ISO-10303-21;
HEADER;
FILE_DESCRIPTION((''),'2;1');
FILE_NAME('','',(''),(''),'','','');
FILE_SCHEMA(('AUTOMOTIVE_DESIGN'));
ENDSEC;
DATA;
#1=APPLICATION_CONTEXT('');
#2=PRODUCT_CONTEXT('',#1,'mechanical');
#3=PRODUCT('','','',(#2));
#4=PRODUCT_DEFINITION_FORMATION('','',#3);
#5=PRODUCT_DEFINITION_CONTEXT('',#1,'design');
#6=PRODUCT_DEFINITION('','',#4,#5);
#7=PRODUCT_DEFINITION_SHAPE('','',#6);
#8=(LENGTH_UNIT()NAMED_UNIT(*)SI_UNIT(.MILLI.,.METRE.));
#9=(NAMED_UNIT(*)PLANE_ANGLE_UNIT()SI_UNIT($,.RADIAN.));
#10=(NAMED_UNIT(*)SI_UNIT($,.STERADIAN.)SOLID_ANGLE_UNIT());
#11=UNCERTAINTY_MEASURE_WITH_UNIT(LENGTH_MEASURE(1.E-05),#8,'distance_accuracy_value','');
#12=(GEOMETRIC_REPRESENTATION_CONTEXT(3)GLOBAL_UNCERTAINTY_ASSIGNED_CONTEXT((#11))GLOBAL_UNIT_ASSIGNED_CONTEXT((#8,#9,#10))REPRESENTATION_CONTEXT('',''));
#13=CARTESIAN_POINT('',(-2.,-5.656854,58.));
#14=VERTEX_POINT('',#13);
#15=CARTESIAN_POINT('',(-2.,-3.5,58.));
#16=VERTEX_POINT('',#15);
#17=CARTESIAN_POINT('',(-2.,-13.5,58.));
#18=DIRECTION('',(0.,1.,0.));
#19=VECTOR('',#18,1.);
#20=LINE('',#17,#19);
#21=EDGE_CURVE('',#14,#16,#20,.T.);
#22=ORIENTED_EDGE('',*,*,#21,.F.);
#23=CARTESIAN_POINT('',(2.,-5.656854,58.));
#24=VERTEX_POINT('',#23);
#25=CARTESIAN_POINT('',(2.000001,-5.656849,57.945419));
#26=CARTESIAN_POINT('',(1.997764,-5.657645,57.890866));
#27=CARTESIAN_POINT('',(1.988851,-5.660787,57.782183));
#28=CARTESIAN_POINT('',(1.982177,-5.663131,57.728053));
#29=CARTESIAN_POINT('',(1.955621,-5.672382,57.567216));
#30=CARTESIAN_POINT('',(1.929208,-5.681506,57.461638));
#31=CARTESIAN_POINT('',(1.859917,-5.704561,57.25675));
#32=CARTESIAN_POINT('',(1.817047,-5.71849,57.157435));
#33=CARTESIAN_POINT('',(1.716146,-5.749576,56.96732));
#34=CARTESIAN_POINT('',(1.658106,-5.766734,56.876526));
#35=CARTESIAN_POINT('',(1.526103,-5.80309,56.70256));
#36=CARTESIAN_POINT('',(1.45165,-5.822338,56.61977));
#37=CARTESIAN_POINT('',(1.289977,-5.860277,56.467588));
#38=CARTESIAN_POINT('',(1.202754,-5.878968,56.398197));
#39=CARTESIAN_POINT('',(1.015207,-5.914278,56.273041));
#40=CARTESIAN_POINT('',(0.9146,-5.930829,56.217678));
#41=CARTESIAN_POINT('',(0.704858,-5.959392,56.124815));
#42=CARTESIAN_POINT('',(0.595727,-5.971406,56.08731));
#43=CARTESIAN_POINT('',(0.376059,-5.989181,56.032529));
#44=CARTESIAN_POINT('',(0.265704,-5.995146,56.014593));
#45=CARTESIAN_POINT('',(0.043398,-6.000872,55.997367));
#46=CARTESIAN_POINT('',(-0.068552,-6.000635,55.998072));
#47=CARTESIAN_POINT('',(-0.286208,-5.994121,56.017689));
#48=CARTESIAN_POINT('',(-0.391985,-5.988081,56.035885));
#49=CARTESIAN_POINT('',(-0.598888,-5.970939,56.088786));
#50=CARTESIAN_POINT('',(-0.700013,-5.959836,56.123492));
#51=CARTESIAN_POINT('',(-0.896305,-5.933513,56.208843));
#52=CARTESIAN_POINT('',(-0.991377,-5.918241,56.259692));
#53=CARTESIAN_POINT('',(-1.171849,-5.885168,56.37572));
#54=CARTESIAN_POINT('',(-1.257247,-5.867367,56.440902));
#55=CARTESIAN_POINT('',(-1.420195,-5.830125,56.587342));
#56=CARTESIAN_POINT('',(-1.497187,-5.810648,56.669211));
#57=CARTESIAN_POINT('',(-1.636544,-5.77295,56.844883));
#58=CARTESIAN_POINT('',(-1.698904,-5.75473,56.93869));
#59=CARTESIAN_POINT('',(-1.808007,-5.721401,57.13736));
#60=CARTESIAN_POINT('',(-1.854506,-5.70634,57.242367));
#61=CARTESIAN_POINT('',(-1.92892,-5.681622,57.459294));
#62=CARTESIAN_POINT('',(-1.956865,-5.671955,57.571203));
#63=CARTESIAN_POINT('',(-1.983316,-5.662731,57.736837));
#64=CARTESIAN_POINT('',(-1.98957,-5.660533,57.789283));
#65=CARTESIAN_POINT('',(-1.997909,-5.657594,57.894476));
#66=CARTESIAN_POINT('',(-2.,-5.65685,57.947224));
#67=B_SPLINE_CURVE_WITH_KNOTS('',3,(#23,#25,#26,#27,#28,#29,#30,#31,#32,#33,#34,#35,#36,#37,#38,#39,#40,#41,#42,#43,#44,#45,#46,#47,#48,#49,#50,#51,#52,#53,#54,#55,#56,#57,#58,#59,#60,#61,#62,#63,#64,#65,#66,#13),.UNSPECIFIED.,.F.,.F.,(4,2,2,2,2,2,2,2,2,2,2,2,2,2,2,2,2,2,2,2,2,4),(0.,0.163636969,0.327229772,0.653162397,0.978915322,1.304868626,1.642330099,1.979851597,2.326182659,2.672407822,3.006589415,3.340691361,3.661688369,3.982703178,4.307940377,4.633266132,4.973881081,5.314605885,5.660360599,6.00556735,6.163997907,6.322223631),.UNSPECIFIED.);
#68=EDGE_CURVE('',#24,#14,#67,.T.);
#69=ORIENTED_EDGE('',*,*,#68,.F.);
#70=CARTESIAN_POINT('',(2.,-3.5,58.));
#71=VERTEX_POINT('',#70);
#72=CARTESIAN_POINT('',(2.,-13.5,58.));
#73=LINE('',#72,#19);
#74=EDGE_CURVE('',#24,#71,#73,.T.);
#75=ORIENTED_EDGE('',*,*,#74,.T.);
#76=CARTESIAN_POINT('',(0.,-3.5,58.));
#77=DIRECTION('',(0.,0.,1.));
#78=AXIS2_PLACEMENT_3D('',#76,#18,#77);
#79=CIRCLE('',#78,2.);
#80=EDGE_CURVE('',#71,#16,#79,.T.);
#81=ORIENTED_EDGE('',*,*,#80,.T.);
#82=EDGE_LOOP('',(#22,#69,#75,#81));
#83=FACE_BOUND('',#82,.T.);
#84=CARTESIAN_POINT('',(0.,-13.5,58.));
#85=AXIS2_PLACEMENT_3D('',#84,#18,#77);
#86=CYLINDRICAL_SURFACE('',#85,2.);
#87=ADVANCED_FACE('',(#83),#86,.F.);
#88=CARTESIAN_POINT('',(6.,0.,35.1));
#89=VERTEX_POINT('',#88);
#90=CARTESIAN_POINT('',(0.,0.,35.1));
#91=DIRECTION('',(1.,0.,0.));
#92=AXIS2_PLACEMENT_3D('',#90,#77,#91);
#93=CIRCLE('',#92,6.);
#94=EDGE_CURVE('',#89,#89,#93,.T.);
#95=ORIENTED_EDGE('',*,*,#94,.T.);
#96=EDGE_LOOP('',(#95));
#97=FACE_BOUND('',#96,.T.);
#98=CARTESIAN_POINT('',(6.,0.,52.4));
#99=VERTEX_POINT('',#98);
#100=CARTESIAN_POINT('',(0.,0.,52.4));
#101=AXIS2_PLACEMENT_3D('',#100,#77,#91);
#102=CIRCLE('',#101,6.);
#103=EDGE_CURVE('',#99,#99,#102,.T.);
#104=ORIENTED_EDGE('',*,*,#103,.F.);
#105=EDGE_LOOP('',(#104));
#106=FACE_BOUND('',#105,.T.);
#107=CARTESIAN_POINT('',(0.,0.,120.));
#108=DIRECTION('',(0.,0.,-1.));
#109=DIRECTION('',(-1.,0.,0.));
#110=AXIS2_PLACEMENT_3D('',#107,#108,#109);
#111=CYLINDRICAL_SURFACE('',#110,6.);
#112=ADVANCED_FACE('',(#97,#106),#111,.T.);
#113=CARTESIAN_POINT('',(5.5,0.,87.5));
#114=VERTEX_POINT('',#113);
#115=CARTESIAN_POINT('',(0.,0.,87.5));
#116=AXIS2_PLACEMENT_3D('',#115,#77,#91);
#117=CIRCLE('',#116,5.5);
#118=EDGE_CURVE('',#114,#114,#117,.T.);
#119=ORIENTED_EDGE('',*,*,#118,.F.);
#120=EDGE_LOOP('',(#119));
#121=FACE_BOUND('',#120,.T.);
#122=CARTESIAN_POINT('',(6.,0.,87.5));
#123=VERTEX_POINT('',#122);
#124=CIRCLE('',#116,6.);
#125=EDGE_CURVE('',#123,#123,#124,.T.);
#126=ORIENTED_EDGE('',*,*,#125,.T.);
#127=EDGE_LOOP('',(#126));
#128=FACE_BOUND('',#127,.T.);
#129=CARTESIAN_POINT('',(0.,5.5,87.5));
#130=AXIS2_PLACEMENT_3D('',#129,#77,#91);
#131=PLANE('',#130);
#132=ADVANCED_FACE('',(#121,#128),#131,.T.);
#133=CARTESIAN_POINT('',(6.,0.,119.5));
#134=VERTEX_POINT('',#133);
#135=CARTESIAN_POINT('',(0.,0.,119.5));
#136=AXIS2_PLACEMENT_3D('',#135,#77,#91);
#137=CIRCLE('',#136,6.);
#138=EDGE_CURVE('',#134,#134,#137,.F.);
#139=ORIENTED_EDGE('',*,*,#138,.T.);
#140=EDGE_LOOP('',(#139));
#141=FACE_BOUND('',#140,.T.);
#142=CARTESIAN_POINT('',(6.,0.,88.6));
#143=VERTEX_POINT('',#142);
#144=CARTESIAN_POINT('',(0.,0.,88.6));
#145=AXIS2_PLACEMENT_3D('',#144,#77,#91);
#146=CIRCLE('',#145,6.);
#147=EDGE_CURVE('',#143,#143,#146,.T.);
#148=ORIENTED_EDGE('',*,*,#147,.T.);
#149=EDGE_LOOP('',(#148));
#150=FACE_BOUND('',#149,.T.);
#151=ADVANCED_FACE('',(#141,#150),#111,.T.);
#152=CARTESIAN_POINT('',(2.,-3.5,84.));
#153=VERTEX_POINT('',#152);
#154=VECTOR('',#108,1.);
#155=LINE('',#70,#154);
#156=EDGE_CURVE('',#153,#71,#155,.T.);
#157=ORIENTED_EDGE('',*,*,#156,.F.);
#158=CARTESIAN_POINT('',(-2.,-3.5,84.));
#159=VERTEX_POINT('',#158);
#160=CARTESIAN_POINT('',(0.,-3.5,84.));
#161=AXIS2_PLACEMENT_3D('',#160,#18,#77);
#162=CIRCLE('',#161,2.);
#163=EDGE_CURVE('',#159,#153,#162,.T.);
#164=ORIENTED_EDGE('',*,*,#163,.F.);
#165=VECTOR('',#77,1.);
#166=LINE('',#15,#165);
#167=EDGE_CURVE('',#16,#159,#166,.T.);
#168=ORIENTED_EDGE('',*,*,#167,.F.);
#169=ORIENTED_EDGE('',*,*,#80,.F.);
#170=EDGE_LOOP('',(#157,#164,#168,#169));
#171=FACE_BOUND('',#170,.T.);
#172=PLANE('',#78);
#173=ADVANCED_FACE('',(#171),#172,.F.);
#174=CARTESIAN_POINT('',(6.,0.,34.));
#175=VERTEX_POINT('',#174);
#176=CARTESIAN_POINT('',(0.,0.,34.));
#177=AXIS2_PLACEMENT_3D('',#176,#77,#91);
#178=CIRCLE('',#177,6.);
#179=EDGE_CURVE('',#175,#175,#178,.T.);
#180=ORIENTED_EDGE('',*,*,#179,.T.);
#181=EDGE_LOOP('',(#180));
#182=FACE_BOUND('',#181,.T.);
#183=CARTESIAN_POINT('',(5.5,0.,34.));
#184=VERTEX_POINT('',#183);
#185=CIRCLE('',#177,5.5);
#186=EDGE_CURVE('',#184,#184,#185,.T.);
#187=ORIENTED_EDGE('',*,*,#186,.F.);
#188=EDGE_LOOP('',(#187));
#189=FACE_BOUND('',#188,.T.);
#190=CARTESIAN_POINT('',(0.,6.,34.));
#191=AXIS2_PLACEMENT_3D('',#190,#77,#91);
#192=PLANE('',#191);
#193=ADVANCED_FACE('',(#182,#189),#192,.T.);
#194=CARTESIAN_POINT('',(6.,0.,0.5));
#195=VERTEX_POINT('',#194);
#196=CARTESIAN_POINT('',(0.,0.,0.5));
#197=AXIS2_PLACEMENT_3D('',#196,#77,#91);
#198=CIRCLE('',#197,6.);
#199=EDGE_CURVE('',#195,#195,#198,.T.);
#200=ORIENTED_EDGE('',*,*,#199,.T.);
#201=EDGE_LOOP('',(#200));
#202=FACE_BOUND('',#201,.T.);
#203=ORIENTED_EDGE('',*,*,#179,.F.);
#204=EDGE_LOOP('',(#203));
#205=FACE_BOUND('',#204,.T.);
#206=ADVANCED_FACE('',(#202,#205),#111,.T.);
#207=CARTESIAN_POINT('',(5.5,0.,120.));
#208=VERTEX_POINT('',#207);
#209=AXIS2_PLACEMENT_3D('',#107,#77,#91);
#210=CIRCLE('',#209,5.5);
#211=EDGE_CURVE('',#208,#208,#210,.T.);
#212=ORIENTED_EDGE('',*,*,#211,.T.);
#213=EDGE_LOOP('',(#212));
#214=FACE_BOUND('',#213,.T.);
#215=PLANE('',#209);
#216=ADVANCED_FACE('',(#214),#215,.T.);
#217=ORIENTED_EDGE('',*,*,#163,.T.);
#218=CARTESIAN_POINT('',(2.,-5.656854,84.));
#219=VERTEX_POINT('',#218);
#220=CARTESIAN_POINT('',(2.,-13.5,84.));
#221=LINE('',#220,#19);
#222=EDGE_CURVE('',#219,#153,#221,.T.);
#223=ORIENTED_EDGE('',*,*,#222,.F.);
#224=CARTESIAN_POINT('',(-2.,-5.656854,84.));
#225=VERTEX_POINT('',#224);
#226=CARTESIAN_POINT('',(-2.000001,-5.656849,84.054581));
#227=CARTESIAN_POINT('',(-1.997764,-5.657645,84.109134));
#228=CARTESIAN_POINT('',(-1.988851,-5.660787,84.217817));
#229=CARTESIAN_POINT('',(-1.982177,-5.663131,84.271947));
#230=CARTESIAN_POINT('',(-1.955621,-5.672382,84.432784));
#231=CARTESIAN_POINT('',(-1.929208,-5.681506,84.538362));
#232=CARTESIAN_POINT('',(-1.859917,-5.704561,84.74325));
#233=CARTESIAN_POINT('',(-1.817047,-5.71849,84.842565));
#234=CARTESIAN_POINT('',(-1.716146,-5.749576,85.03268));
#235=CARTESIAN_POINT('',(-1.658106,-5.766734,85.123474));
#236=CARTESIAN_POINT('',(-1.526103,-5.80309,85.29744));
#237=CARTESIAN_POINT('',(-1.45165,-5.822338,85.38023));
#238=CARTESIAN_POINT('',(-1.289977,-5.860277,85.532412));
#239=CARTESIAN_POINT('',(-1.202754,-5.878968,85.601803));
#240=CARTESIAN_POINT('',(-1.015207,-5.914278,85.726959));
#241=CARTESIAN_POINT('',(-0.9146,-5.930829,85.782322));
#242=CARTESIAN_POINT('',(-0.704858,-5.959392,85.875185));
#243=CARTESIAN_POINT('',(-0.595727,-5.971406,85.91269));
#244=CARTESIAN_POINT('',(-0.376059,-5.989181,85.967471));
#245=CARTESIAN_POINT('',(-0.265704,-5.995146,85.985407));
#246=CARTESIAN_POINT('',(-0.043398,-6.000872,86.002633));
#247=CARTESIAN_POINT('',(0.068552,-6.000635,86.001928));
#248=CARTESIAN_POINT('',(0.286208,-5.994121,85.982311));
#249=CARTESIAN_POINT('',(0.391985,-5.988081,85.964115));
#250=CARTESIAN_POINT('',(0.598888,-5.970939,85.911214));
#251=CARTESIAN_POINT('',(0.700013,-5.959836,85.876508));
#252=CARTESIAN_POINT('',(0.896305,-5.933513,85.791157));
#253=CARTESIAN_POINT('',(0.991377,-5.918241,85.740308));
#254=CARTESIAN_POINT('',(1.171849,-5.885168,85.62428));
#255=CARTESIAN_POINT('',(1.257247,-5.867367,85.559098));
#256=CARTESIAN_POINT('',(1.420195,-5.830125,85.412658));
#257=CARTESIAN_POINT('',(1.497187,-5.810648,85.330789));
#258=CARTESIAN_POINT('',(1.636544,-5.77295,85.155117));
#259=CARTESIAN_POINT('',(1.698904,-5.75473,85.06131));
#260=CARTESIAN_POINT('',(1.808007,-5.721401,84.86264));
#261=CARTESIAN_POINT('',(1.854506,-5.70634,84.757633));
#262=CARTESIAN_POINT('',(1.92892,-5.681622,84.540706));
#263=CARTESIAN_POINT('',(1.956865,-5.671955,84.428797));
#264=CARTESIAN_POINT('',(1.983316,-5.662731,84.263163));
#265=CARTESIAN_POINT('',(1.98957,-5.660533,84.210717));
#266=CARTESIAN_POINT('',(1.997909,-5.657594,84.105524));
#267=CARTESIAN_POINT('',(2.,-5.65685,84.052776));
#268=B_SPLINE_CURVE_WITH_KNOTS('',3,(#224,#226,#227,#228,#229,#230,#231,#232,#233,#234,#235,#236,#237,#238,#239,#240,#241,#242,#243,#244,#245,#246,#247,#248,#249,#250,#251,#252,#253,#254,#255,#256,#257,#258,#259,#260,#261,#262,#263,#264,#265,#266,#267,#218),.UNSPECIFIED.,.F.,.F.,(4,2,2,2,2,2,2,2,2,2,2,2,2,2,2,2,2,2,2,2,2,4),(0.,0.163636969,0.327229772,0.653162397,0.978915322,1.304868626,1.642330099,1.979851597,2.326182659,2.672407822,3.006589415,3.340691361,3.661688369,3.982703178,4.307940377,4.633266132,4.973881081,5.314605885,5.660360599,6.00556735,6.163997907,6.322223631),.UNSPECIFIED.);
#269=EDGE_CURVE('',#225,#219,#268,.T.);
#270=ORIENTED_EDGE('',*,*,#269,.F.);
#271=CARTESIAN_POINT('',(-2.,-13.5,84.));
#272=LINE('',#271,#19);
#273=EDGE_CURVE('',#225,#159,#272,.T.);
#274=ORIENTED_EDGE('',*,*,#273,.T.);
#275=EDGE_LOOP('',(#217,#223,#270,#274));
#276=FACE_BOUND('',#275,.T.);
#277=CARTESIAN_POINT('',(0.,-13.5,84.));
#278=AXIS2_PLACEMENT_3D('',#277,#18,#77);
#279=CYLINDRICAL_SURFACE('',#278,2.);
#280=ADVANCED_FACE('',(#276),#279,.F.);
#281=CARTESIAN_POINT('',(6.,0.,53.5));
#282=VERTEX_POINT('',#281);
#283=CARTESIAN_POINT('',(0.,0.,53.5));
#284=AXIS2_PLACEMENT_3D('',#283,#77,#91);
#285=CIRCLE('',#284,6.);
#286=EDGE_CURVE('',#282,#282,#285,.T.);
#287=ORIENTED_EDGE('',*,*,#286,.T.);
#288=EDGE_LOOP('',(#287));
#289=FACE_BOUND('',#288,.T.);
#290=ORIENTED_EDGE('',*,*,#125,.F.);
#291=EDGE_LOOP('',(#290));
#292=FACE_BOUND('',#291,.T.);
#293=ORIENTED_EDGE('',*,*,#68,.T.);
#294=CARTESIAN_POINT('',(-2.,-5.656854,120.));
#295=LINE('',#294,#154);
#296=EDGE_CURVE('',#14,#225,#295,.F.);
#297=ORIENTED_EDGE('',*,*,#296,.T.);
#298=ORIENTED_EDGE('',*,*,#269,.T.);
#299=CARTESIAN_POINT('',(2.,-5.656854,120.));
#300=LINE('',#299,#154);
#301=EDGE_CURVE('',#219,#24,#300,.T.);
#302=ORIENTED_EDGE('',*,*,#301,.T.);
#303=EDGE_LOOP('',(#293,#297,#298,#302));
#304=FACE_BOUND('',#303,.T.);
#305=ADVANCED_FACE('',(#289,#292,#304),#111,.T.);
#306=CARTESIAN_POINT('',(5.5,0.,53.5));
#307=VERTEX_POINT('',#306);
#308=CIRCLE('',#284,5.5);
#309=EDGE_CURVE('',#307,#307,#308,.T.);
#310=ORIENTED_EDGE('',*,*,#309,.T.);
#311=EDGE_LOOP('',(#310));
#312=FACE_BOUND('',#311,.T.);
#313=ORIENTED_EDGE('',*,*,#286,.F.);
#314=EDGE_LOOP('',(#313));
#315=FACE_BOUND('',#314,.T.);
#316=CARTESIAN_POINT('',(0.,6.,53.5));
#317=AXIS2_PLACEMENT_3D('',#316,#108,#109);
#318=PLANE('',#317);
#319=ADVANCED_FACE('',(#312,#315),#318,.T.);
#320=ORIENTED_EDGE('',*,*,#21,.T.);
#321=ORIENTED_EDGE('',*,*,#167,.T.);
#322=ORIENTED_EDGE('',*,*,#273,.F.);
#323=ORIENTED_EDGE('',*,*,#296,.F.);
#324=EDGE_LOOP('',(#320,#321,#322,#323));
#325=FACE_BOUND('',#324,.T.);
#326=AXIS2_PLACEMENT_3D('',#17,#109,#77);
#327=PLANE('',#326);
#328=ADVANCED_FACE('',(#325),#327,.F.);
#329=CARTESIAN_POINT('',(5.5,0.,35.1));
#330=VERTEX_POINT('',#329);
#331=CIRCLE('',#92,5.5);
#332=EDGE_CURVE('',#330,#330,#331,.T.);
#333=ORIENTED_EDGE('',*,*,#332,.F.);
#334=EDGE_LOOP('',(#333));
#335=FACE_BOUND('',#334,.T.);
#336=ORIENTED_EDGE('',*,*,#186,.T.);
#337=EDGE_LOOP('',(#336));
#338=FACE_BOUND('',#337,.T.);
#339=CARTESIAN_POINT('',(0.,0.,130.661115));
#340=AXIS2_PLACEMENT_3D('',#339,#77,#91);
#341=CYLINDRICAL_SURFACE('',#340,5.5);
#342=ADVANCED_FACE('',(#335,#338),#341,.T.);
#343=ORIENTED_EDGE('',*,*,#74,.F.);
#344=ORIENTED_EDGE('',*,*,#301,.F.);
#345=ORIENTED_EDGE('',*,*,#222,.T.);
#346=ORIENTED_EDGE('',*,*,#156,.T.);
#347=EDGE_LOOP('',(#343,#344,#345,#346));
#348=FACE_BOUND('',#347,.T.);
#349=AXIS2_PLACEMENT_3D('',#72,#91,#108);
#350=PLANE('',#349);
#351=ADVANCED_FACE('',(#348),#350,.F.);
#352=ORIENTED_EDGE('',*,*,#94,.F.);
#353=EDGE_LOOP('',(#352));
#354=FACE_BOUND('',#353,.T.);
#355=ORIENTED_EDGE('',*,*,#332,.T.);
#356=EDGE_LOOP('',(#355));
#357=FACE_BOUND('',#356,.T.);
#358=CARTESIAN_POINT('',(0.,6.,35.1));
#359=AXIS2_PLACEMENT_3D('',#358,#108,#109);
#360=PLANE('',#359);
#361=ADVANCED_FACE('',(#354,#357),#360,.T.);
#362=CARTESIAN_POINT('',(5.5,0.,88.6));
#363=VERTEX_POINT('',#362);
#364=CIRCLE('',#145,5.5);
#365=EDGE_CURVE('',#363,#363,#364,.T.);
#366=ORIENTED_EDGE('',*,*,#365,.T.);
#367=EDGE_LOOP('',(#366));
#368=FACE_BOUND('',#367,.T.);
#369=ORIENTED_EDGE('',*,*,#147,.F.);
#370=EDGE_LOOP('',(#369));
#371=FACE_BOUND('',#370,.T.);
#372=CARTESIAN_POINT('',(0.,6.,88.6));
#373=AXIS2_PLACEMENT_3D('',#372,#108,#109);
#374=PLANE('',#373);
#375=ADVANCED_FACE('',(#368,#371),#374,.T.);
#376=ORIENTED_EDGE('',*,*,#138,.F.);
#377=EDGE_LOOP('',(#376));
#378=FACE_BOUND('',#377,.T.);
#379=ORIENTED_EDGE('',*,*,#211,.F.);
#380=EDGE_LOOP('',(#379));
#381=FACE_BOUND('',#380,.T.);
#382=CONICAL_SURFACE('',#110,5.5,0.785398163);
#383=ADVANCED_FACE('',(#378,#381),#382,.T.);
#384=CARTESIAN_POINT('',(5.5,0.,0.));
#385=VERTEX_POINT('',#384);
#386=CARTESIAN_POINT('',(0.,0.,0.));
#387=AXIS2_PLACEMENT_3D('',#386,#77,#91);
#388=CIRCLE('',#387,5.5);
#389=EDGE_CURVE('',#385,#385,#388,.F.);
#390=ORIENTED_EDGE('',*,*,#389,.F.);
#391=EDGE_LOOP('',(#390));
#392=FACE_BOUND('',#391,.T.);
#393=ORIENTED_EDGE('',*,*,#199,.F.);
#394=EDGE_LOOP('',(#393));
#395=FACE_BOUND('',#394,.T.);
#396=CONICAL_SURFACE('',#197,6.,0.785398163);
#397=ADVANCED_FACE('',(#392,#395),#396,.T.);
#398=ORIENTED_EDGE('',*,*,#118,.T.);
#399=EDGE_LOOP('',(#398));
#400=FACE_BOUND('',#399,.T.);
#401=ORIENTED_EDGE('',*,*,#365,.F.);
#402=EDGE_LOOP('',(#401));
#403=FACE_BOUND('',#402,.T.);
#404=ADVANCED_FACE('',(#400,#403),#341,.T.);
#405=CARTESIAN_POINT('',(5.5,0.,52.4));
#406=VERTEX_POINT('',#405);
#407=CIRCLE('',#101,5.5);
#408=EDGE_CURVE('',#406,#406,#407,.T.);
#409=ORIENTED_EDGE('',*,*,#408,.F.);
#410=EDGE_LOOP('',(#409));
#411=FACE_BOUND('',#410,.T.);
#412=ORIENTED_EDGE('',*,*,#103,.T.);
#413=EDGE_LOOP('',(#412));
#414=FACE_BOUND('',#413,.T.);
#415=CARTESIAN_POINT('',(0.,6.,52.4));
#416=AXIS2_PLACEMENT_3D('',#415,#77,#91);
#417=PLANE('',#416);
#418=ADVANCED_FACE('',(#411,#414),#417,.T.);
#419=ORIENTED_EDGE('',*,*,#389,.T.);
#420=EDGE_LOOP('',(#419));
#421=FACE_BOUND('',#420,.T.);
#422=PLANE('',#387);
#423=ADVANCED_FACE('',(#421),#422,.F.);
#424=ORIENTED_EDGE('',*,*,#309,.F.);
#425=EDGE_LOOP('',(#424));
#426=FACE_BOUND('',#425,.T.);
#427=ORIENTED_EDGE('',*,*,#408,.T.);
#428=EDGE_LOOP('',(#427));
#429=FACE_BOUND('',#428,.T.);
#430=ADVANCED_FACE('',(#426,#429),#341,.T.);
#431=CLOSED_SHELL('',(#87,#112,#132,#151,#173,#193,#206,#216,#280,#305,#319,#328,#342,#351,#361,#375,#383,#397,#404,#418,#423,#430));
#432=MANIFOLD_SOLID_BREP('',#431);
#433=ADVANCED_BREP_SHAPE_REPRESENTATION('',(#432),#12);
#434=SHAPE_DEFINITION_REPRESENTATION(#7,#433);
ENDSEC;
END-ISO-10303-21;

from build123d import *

# Parameters (mm, degrees)
SKETCH_1_R          = 6
EXTRUDE_1_DEPTH     = 120
CUT_EXTRUDE_START   = -3.5
CUT_EXTRUDE_1_DEPTH = 10
SKETCH_3_W          = 1.1
SKETCH_3_H          = 0.5
CHAMFER_1_SIZE      = 0.5


with BuildPart() as part:
    # 草图1 → 凸台-拉伸1 (new body)
    with BuildSketch(Plane.XY):
        Circle(SKETCH_1_R)
    extrude(amount=EXTRUDE_1_DEPTH)

    # 草图2 → 切除-拉伸1 (cut)
    with BuildSketch(Plane(origin=(0, 0, 0), x_dir=(1, 0, 0), z_dir=(0, 1, 0)).offset(CUT_EXTRUDE_START)):
        with BuildLine():
            Line((2, -58), (2, -84))
            ThreePointArc((2, -84), (0, -86), (-2, -84))
            Line((-2, -84), (-2, -58))
            ThreePointArc((-2, -58), (0, -56), (2, -58))
        make_face()
    extrude(amount=-CUT_EXTRUDE_1_DEPTH, mode=Mode.SUBTRACT)

    # 草图3 → 切除-旋转1 (revolve, cut)
    with BuildSketch(Plane(origin=(0, 0, 0), x_dir=(0, 0, -1), z_dir=(1, 0, 0)), mode=Mode.PRIVATE) as cut_revolve_1_sk:
        with Locations((-88.05, 5.75)):
            Rectangle(SKETCH_3_W, SKETCH_3_H)
        with Locations((-34.55, 5.75)):
            Rectangle(SKETCH_3_W, SKETCH_3_H)
        with Locations((-52.95, 5.75)):
            Rectangle(SKETCH_3_W, SKETCH_3_H)
    revolve(cut_revolve_1_sk.sketch.rotate(Axis((0, 0, 130.661115057), (0, 0, -1)), 90), axis=Axis((0, 0, 130.661115057), (0, 0, -1)), mode=Mode.SUBTRACT)

    # 倒角1
    chamfer_1_edges = [part.edges().sort_by_distance(p)[0] for p in [
        (-6, 0, 0),
        (-6, 0, 120),
    ]]
    chamfer(chamfer_1_edges, length=CHAMFER_1_SIZE)


solid = part.part
